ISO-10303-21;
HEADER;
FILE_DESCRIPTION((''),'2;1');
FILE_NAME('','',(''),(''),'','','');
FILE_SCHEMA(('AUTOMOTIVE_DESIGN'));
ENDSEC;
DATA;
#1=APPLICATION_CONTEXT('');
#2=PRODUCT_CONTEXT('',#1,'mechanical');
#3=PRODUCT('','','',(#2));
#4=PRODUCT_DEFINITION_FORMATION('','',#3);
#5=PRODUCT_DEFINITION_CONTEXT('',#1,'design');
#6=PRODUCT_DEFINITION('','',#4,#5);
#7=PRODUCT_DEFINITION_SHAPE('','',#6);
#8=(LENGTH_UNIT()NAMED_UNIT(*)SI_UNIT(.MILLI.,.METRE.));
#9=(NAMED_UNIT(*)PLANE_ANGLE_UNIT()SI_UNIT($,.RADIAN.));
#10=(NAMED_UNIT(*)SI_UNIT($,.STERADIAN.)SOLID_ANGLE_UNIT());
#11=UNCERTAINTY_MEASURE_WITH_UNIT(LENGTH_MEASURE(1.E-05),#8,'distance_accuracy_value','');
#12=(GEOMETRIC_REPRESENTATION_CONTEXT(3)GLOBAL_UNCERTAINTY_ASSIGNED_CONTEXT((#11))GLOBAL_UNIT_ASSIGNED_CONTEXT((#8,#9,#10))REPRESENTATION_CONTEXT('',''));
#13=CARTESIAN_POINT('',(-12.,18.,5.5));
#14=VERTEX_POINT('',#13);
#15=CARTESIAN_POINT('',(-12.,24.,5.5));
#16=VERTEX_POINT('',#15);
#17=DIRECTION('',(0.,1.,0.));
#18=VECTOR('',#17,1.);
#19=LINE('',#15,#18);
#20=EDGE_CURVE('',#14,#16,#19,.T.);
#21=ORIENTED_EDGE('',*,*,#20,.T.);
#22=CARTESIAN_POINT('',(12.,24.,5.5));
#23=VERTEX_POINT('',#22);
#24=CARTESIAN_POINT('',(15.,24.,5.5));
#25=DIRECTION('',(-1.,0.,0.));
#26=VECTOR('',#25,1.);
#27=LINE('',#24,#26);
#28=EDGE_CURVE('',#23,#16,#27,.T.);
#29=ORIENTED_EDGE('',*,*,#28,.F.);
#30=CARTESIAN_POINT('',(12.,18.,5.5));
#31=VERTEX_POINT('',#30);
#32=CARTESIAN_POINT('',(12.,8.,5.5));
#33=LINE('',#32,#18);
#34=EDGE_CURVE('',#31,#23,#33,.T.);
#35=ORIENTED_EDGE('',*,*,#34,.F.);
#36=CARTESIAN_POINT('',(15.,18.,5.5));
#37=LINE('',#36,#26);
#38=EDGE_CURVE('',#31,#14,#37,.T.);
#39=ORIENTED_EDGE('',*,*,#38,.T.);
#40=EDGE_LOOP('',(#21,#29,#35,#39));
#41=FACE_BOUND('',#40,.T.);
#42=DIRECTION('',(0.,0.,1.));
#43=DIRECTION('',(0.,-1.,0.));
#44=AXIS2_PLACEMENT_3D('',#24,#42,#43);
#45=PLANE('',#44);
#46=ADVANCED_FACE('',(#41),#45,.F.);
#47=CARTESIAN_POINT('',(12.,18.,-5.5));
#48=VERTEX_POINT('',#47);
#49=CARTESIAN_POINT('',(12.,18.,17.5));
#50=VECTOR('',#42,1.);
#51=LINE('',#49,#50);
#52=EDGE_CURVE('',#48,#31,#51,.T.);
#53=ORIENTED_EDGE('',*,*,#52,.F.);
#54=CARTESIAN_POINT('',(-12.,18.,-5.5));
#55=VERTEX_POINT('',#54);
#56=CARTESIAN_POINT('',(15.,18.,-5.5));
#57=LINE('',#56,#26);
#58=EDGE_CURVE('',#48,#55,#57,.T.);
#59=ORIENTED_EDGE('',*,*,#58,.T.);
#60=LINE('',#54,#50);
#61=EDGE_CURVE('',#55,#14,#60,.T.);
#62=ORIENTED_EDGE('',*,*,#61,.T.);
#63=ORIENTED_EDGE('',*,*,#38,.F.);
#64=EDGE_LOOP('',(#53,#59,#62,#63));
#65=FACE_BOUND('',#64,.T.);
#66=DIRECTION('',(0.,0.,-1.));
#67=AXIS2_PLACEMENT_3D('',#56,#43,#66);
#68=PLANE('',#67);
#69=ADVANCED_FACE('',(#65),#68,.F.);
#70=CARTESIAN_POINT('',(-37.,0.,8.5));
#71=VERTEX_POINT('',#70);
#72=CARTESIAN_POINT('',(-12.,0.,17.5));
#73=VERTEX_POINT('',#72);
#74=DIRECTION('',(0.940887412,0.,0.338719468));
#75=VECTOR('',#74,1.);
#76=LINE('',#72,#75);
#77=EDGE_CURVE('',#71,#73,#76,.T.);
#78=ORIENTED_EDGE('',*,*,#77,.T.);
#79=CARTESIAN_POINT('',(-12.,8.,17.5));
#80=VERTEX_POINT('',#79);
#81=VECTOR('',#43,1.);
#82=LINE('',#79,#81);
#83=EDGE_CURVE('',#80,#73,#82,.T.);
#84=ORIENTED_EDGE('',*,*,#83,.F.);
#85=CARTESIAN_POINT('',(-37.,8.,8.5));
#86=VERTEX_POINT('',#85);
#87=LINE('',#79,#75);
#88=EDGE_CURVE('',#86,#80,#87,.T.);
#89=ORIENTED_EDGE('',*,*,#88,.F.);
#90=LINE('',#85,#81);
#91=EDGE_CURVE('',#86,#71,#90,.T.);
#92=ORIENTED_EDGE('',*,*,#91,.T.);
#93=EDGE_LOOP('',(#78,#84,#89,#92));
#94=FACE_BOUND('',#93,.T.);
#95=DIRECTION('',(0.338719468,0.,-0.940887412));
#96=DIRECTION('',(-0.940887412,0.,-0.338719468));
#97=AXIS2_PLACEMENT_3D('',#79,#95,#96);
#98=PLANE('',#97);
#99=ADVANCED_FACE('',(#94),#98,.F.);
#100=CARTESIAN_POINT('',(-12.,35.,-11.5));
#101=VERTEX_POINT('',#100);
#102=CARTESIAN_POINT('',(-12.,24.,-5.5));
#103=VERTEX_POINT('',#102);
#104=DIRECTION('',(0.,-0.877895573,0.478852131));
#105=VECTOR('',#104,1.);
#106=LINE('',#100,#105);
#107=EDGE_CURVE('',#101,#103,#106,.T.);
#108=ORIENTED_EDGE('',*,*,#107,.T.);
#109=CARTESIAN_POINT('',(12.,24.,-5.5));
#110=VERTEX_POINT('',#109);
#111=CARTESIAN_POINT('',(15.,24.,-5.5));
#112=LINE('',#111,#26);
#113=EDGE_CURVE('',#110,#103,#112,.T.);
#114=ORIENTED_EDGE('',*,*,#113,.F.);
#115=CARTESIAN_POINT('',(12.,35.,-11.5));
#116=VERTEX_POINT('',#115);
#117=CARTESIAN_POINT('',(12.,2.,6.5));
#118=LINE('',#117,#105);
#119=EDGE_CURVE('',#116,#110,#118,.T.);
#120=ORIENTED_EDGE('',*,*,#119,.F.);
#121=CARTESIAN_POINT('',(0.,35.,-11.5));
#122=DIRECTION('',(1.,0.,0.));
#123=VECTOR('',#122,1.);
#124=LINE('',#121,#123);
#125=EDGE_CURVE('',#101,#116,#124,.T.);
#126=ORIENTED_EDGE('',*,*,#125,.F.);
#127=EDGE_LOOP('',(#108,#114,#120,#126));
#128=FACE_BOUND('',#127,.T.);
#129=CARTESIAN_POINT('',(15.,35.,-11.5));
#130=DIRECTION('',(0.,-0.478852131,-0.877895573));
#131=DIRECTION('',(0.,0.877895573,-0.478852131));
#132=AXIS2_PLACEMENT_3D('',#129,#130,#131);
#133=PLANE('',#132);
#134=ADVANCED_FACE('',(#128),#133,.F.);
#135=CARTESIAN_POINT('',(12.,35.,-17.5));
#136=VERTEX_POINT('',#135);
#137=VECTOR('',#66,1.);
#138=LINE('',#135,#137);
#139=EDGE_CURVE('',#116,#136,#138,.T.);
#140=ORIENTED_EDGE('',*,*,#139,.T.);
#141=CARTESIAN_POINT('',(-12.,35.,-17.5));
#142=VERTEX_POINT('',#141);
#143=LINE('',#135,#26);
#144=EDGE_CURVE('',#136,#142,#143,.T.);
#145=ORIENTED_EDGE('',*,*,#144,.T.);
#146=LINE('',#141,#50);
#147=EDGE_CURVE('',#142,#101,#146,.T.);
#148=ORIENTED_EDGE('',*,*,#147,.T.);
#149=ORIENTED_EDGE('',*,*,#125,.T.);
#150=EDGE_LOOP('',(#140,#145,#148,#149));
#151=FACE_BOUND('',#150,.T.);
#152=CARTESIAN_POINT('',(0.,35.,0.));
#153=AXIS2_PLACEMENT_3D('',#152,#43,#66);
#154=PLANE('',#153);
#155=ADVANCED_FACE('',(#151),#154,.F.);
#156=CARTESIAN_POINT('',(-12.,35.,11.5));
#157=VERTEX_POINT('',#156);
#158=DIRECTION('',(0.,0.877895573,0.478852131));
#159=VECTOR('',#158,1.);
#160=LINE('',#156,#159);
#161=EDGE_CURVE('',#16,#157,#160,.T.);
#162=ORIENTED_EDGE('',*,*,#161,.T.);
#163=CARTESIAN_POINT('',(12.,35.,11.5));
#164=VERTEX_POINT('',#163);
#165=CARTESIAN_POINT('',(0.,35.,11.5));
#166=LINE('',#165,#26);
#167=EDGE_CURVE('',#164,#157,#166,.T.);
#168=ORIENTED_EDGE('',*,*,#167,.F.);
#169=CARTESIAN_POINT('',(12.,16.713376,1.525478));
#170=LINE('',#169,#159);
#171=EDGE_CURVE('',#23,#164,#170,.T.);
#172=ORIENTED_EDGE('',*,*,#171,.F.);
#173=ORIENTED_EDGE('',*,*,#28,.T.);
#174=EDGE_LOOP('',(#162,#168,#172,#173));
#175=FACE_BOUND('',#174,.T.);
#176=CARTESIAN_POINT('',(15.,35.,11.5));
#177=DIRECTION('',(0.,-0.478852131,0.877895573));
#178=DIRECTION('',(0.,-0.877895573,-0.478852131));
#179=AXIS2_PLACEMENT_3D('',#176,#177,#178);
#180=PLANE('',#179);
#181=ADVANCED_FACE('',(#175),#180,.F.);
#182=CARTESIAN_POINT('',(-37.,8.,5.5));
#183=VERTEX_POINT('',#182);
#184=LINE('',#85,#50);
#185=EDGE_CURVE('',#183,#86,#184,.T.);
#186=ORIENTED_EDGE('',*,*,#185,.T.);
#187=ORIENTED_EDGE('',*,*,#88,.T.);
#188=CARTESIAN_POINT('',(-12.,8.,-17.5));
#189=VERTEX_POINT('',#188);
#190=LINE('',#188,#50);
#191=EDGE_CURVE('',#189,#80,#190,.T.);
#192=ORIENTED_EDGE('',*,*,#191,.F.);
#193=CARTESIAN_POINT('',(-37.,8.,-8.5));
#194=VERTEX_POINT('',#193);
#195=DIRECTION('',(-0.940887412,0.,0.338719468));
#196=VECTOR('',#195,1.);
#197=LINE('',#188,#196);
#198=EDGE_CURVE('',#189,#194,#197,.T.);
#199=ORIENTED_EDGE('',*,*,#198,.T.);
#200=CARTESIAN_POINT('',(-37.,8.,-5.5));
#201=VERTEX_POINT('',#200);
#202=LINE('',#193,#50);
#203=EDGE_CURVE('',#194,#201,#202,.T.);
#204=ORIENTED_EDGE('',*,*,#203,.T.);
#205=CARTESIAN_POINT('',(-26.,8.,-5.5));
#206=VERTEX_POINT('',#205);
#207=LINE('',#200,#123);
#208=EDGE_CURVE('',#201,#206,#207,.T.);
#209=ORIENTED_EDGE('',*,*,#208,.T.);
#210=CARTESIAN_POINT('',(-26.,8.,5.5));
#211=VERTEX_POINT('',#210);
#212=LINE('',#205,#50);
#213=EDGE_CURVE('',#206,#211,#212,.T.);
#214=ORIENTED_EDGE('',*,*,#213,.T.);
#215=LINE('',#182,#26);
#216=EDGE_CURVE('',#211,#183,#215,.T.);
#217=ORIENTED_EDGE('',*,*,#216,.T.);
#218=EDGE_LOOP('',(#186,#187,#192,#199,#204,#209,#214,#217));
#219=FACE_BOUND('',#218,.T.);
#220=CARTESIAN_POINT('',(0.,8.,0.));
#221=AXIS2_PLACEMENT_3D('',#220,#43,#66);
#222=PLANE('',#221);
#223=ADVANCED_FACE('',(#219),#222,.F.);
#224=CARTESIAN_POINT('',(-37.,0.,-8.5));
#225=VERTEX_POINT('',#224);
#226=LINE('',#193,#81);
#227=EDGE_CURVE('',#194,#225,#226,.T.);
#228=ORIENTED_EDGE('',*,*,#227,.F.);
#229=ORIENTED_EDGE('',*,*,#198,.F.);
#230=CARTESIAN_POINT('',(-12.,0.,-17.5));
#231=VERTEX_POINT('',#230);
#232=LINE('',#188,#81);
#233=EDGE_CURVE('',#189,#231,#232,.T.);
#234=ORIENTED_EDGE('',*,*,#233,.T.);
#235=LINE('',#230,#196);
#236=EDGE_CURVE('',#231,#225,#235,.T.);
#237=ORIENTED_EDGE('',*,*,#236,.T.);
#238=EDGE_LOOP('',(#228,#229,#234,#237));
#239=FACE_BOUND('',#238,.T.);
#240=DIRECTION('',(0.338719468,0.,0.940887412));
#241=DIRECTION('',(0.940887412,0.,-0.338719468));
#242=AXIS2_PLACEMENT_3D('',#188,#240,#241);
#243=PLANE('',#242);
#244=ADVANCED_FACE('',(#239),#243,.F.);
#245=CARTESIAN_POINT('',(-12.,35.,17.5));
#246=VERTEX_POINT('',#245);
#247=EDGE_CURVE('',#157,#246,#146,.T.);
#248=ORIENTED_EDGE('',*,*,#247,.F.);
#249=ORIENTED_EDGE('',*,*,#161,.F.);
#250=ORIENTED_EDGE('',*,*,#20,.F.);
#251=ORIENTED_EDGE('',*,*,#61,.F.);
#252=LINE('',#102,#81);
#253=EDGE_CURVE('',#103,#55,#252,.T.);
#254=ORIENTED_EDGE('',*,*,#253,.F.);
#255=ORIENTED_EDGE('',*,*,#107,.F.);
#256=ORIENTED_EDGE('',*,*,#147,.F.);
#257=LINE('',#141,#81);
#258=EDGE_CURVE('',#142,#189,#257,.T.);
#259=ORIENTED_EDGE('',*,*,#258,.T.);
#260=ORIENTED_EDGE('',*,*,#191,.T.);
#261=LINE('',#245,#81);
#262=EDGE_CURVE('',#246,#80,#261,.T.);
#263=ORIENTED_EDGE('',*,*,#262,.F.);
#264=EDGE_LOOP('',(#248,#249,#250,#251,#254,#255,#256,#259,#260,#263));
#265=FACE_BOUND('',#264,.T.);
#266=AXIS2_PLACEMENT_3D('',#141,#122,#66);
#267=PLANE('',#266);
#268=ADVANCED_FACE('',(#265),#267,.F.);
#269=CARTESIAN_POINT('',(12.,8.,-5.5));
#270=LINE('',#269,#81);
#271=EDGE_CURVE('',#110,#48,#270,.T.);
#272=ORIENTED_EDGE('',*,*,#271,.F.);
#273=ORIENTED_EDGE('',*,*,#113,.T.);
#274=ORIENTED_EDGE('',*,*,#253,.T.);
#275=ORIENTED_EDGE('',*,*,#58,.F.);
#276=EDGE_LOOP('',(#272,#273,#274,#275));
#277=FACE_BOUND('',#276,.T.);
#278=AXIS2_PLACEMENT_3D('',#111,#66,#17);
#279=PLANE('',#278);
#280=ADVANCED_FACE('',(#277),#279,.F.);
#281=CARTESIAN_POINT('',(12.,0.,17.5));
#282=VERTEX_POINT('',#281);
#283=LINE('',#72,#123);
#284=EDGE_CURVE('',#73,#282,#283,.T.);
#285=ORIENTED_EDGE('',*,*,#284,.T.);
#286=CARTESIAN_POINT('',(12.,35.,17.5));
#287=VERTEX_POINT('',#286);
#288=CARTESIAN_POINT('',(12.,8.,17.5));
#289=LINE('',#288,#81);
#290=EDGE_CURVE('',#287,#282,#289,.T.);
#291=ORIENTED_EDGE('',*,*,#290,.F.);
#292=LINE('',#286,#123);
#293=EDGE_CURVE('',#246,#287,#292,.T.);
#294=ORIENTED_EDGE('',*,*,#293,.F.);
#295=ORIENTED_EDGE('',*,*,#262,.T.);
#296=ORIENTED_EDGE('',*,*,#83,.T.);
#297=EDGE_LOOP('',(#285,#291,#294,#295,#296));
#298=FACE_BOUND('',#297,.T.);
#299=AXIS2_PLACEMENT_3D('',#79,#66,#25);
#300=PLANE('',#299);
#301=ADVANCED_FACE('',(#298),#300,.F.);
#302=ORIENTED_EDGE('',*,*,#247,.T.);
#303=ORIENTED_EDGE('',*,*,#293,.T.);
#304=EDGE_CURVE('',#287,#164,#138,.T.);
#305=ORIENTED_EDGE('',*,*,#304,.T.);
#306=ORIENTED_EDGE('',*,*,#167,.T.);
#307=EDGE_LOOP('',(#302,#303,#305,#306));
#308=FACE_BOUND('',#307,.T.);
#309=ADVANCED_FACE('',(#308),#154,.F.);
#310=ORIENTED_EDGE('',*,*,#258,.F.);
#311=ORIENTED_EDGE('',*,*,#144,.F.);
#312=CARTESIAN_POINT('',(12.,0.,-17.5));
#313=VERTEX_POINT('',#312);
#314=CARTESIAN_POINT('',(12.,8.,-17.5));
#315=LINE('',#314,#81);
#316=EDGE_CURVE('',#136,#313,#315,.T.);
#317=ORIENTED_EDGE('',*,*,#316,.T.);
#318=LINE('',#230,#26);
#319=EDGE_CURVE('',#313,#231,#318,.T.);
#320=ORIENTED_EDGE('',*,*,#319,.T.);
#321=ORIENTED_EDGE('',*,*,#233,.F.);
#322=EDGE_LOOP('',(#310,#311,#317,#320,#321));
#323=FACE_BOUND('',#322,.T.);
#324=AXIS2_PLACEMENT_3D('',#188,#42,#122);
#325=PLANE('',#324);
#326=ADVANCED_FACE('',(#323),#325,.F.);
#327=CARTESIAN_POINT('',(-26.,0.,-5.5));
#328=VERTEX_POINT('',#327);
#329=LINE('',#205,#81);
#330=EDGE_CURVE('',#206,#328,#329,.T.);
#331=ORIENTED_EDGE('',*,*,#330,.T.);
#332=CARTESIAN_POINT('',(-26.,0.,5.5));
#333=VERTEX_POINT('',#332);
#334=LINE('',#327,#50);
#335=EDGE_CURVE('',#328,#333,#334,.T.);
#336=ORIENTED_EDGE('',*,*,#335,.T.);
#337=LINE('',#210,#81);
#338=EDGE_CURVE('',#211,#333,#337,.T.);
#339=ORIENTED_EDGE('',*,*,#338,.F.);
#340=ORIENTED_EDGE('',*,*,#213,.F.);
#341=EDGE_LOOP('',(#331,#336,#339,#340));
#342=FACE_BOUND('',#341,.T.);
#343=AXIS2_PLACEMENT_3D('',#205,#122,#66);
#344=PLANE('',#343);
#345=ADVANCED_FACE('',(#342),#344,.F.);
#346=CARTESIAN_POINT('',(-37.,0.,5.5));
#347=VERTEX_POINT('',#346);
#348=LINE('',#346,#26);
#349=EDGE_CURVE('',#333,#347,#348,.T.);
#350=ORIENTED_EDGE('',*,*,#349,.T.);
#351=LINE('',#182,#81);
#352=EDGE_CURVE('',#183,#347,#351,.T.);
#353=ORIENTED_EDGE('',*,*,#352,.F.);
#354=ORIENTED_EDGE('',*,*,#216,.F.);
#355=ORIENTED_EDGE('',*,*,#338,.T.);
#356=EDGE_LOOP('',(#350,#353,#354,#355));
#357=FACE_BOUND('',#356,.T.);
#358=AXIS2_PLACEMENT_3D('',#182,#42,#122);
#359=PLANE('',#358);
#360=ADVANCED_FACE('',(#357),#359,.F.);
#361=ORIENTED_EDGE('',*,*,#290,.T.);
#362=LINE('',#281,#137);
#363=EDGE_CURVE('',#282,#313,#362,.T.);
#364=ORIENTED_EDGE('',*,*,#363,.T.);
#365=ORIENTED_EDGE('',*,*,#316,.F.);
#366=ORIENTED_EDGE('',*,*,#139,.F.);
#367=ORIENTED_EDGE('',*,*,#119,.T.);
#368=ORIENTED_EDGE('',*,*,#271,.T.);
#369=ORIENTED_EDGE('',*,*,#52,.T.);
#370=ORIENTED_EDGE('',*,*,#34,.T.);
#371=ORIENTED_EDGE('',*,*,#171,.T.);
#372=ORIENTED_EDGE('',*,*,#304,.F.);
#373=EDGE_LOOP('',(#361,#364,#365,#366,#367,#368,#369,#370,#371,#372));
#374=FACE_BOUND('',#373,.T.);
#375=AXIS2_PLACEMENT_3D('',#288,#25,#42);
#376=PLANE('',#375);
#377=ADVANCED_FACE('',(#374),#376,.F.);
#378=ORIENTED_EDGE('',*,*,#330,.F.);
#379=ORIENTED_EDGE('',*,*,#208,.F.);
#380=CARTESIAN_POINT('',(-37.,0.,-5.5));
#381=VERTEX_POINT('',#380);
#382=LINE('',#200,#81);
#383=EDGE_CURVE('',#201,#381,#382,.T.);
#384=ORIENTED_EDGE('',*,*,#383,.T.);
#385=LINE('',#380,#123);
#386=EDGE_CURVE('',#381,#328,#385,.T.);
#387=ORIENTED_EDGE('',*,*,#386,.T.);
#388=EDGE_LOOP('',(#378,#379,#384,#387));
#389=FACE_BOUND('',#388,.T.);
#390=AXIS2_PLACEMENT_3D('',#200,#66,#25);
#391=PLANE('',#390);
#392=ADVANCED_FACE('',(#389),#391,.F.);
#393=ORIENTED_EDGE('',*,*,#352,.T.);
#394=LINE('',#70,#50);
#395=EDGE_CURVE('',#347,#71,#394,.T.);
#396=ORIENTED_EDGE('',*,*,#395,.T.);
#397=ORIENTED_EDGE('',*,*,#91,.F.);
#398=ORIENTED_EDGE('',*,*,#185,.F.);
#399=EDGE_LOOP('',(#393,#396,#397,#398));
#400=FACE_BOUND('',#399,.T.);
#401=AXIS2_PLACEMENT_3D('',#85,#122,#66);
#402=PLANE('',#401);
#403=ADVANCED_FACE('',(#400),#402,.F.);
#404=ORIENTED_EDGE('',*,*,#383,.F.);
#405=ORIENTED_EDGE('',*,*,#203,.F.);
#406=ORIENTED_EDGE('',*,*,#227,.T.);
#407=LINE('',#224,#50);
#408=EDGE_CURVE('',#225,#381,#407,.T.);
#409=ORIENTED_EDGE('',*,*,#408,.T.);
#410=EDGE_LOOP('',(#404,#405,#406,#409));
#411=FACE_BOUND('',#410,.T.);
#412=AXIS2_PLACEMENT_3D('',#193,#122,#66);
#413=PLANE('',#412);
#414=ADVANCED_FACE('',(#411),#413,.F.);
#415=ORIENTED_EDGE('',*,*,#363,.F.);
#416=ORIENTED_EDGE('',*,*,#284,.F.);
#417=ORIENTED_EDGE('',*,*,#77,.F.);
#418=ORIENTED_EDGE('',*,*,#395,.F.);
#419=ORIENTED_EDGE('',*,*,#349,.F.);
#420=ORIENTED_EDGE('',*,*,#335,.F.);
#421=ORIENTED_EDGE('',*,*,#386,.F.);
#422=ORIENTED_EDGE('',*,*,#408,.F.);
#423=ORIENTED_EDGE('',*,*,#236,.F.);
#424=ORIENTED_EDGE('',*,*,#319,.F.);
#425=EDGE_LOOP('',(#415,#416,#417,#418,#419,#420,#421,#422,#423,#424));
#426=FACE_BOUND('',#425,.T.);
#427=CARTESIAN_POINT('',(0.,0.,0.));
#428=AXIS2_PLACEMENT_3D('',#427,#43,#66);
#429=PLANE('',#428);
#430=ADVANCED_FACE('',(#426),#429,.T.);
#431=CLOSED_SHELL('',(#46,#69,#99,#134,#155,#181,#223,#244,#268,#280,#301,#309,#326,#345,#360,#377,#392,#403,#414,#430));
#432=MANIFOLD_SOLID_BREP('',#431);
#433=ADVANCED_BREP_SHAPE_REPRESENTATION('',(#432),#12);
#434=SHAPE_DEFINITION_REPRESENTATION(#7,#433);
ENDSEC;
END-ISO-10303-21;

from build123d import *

# Parameters (mm, degrees)
EXTRUDE_2_DEPTH     = 8
SKETCH_5_W          = 24
SKETCH_5_H          = 35
EXTRUDE_3_DEPTH     = 27
CUT_EXTRUDE_1_DEPTH = 27


with BuildPart() as part:
    # 草图4 → 凸台-拉伸2 (new body)
    with BuildSketch(Plane(origin=(0, 0, 0), x_dir=(1, 0, 0), z_dir=(0, 1, 0))):
        Polygon((-12, 17.5), (-37, 8.5), (-37, 5.5), (-26, 5.5), (-26, -5.5), (-37, -5.5), (-37, -8.5), (-12, -17.5), (12, -17.5), (12, 17.5), align=None)
    extrude(amount=EXTRUDE_2_DEPTH)

    # 草图5 → 凸台-拉伸3 (add)
    with BuildSketch(Plane(origin=(0, 8, 0), x_dir=(1, 0, 0), z_dir=(0, 1, 0))):
        Rectangle(SKETCH_5_W, SKETCH_5_H)
    extrude(amount=EXTRUDE_3_DEPTH)

    # 草图6 → 切除-拉伸1 (cut)
    with BuildSketch(Plane.ZY.offset(12)):
        Polygon((-11.5, 35), (-5.5, 24), (-5.5, 18), (5.5, 18), (5.5, 24), (11.5, 35), align=None)
    extrude(amount=-CUT_EXTRUDE_1_DEPTH, mode=Mode.SUBTRACT)


solid = part.part
